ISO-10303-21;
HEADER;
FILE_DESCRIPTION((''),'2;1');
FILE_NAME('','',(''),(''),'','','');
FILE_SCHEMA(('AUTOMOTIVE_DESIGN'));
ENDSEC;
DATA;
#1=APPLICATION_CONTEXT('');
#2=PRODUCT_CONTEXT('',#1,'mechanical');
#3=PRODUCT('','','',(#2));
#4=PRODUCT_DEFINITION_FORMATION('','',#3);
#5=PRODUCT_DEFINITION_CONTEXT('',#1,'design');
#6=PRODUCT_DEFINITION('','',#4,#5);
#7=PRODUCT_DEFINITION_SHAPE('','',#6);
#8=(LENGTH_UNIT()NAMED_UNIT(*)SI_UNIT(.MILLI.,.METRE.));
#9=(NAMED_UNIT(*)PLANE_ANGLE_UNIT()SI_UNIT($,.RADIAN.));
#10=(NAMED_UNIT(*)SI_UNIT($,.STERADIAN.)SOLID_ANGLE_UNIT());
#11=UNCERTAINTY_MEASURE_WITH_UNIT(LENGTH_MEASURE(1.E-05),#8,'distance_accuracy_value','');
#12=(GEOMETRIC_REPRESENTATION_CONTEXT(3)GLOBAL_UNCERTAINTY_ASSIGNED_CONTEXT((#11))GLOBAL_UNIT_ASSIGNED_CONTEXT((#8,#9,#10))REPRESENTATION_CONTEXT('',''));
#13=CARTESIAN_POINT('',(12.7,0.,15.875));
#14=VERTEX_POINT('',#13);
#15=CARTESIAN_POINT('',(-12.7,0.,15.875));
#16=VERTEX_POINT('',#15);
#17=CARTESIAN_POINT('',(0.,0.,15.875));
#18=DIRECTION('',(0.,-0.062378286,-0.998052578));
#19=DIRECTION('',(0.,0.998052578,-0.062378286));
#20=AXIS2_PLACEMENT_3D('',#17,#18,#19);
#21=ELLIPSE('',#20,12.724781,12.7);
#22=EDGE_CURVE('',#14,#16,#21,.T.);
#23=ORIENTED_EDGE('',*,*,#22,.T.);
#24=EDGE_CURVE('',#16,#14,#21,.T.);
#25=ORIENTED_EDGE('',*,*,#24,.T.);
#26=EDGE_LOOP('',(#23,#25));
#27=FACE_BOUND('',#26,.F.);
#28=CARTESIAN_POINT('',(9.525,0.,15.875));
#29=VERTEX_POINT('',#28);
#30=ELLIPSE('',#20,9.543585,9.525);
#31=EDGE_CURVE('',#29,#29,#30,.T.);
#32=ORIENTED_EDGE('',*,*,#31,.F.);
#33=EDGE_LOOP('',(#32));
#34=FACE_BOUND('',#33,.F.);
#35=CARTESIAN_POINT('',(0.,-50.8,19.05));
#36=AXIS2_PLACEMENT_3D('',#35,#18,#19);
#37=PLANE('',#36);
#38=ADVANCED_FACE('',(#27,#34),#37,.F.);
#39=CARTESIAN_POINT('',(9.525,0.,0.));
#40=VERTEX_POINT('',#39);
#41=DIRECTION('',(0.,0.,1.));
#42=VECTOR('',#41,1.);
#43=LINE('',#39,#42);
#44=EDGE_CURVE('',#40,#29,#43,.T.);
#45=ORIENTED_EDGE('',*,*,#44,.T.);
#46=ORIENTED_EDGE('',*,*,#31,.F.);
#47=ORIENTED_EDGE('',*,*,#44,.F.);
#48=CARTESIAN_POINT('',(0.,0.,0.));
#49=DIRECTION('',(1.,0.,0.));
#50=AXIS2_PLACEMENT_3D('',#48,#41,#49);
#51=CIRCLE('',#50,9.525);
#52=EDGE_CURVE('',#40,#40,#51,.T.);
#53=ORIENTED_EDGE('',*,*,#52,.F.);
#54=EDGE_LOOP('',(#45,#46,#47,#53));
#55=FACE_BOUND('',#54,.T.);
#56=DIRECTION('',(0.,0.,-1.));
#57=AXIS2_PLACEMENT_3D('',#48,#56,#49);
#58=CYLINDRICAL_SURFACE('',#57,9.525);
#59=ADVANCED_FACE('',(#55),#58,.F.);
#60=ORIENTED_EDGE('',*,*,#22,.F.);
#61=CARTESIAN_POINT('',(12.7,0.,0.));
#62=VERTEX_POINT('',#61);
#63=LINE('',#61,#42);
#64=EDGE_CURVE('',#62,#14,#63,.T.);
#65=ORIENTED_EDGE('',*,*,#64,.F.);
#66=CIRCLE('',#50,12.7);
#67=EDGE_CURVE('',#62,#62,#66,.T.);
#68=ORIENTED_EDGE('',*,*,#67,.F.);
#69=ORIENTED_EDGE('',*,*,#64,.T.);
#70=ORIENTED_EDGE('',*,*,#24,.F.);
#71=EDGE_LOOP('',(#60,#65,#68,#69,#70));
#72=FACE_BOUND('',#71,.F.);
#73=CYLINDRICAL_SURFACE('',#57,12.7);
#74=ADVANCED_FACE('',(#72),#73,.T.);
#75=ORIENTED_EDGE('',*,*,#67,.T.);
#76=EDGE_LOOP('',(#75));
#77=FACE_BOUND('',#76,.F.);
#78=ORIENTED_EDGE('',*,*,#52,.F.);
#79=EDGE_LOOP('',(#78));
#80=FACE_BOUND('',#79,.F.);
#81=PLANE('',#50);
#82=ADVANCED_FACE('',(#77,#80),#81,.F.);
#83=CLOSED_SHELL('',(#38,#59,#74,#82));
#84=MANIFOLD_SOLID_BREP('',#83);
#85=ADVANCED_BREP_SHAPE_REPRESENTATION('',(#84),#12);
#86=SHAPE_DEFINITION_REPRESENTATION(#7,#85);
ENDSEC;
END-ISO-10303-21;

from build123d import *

# Parameters (mm, degrees)
F0_R     = 12.7
F0_R_2   = 9.525
F1_DEPTH = 50.8
F3_DEPTH = 12.7


with BuildPart() as f1:
    # F0 (on Top) → F1 (new body)
    with BuildSketch(Plane.XY):
        Circle(F0_R)
        Circle(F0_R_2, mode=Mode.SUBTRACT)
    extrude(amount=F1_DEPTH)

    # F2 (on Right) → F3 (cut, symmetric)
    with BuildSketch(Plane.YZ):
        Polygon((-50.8, 59.308998), (-50.8, 44.45), (0, 41.275), (50.8, 38.1), (50.8, 59.308998), align=None)
        Polygon((-50.8, 19.05), (0, 15.875), (50.8, 12.7), (50.8, 38.1), (0, 41.275), (-50.8, 44.45), align=None)
    extrude(amount=F3_DEPTH, both=True, mode=Mode.SUBTRACT)


solid = f1.part
